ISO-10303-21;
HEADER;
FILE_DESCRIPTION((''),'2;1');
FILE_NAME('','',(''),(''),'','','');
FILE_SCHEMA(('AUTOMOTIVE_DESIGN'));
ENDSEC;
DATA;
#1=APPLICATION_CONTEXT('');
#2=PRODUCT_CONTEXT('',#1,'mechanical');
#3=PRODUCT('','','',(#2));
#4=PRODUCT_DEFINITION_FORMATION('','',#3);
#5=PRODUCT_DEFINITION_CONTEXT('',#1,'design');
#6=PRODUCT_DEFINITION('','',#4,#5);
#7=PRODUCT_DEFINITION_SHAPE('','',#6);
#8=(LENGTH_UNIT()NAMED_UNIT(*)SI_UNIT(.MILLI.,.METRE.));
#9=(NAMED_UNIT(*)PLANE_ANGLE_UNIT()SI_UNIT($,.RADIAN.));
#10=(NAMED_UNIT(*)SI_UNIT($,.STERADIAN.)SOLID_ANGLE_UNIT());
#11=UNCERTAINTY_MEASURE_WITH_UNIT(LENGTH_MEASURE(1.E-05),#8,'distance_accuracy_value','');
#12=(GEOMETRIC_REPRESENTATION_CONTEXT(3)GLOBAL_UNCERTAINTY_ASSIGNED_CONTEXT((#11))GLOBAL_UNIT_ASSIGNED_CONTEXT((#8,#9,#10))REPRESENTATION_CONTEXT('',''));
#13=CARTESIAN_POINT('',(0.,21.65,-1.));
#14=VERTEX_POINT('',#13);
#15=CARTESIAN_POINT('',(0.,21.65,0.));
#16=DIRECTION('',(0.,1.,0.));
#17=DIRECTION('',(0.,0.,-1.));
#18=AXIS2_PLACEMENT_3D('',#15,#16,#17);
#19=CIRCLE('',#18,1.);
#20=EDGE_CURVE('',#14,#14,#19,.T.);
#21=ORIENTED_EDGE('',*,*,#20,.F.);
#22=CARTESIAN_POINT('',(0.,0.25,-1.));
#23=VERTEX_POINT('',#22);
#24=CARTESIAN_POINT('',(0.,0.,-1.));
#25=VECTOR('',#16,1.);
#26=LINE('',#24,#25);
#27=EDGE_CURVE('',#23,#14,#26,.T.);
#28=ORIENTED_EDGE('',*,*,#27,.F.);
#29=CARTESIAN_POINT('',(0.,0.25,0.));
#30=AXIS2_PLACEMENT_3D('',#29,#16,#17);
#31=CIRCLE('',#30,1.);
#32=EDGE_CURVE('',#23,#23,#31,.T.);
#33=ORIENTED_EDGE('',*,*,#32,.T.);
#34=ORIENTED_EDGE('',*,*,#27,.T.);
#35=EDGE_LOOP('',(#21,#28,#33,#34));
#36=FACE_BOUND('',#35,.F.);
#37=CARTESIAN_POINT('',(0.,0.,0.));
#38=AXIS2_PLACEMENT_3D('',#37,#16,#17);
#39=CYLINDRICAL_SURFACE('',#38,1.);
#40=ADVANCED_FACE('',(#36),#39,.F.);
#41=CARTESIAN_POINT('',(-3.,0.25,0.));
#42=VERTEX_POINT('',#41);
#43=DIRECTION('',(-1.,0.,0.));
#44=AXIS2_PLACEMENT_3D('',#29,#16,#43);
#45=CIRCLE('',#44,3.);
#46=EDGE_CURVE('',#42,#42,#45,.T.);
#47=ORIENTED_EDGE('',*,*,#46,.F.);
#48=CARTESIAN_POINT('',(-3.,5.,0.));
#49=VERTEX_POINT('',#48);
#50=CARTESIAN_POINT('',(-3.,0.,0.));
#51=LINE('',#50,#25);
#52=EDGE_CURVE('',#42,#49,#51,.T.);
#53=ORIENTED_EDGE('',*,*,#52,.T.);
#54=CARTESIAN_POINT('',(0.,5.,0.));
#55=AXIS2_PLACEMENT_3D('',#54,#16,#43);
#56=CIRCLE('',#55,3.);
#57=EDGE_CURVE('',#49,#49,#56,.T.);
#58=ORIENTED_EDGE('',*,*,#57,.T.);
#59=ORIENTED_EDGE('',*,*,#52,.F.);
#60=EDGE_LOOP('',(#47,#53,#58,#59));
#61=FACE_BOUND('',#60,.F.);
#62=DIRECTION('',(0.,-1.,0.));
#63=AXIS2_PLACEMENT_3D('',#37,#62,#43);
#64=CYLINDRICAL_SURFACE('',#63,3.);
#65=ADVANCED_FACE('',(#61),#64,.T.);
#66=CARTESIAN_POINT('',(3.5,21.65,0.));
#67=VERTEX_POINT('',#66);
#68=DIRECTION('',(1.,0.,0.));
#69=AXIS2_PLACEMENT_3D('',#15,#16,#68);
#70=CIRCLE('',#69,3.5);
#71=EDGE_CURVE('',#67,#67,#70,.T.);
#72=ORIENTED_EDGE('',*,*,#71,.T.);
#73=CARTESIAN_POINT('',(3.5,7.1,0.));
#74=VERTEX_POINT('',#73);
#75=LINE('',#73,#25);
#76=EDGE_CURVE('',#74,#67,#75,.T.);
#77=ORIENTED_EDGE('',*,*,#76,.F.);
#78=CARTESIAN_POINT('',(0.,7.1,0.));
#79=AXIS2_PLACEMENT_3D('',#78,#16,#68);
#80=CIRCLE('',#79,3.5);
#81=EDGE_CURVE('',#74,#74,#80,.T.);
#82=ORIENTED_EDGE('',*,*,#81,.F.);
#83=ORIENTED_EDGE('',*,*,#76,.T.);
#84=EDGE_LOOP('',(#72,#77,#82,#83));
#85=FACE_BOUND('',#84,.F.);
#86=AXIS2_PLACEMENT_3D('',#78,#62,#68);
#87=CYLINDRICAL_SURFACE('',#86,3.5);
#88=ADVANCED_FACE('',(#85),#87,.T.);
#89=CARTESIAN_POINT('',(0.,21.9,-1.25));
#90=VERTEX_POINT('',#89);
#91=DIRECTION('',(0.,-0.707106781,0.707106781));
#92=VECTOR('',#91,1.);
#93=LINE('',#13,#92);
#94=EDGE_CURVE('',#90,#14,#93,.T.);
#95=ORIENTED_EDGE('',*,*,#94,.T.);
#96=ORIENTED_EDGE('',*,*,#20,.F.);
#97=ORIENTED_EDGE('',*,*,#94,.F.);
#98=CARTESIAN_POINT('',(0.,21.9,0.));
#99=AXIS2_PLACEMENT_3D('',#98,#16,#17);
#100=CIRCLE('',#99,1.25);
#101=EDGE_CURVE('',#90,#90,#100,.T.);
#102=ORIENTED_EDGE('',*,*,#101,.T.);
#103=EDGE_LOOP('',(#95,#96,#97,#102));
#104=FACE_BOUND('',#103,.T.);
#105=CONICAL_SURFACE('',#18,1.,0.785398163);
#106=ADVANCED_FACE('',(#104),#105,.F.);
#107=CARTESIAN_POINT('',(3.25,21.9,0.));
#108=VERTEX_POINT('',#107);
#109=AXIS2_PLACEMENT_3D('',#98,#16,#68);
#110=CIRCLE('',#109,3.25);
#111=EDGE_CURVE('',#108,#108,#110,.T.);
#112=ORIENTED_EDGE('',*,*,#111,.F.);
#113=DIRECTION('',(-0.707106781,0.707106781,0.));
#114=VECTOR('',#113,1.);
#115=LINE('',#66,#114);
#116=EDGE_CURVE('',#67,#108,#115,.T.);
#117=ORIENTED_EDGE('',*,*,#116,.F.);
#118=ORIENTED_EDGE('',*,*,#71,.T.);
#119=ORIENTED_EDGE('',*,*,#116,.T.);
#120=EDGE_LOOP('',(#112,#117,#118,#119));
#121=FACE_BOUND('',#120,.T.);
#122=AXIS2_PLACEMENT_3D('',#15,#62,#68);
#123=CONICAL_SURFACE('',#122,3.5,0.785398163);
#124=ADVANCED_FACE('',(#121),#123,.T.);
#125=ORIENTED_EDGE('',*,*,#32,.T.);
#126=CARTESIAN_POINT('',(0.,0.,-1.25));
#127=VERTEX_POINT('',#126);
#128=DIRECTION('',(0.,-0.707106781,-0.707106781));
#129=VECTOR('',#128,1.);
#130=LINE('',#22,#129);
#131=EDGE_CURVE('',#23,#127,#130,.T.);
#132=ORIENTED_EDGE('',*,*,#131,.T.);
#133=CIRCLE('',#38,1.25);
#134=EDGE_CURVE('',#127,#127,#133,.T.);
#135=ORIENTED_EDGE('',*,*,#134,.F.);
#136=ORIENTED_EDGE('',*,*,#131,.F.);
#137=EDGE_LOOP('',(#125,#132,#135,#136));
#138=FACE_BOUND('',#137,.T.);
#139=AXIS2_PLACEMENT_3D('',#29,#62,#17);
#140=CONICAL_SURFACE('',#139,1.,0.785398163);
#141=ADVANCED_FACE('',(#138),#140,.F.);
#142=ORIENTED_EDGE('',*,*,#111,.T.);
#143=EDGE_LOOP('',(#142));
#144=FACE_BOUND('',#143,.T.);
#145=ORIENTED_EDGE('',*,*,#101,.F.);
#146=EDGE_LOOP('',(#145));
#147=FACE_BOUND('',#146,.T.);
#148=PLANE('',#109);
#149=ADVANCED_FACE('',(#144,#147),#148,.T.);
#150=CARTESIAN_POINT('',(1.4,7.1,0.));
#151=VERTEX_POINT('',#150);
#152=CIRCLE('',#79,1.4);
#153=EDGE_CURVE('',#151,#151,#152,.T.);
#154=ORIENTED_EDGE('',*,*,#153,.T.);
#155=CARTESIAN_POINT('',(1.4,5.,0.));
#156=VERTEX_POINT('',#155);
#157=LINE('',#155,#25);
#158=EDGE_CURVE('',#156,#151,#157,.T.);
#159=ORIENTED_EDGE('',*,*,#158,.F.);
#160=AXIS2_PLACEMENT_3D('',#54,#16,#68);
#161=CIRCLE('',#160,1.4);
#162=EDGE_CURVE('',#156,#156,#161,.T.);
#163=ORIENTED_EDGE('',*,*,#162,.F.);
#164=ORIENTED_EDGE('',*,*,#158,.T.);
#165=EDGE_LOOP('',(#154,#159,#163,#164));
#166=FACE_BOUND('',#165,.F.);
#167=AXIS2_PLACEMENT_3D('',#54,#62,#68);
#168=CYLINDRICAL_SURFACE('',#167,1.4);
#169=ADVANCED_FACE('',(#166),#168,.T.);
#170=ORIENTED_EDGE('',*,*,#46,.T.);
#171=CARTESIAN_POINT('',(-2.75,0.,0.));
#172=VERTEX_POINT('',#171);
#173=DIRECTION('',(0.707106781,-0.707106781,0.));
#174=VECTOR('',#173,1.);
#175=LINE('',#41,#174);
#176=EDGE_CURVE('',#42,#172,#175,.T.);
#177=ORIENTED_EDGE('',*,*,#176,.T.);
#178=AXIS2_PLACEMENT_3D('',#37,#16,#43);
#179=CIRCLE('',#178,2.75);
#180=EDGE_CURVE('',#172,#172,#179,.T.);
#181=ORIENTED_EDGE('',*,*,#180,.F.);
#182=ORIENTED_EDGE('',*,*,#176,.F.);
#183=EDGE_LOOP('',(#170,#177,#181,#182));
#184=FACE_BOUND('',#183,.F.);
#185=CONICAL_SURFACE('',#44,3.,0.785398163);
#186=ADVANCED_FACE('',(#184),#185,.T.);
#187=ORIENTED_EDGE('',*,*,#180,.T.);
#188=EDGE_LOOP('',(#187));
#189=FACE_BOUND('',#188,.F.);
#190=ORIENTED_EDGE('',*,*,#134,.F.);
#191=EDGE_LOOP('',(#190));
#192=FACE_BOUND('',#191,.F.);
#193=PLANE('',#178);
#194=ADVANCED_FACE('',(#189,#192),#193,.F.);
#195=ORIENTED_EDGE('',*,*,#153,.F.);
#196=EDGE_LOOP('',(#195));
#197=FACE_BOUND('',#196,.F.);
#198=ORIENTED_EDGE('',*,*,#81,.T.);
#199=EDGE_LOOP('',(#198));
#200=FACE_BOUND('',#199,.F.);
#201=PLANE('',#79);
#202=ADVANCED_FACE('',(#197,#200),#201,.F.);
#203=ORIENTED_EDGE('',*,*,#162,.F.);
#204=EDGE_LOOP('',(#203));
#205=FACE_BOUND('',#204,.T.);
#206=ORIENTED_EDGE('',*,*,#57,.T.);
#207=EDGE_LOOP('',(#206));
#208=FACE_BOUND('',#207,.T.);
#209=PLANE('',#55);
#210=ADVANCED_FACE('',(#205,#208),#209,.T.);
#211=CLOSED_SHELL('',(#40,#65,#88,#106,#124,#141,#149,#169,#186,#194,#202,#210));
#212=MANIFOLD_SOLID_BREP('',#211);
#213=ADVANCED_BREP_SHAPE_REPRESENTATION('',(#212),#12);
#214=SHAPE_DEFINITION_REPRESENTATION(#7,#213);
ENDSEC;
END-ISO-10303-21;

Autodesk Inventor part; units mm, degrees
ref_plane "YZ Plane" through (0, 0, 0) normal (1, 0, 0) x (0, 1, 0)
ref_plane "XZ Plane" through (0, 0, 0) normal (0, 1, 0) x (-1, 0, 0)
ref_plane "XY Plane" through (0, 0, 0) normal (0, 0, 1) x (1, 0, 0)
sketch "草圖1" plane through (0, 0, 0) normal (0, 1, 0) x (-1, 0, 0)
  circle A0 centre (0, 0) radius 3
  dimension "d0" = 6
extrude "擠出1" add sketch "草圖1" along normal blind 5
sketch "草圖2" plane through (0, 5, 0) normal (0, 1, 0) x (1, 0, 0)
  circle A0 centre (0, 0) radius 3 projected
  circle A1 centre (0, 0) radius 1.4
  dimension "d4" = 2.8
extrude "擠出2" add sketch "草圖2" along normal blind 2.1 contours A1
sketch "草圖3" plane through (0, 7.1, 0) normal (0, 1, 0) x (1, 0, 0)
  circle A0 centre (0, 0) radius 1.4 projected
  circle A1 centre (0, 0) radius 3.5
  dimension "d8" = 7
extrude "擠出3" add sketch "草圖3" along normal blind 14.8 contours A0 | A1
sketch "草圖5" plane through (0, 0, 0) normal (0, -1, 0) x (1, 0, 0)
  circle A0 centre (0, 0) radius 3 projected
hole "孔1" at (0, 0, 0) direction (0, 1, 0) diameter 2 end through all
chamfer "倒角2" distance 0.25 angle 45 4 edges at (3, 0, 0) (0, 0, 1) (-3.5, 21.9, 0) (0, 21.9, 1)
thread "螺紋1" size "M6x1" class "6g" standard "ANSI Metric M Profile" full length
thread "螺紋2" size "M7x1" class "6g" standard "ANSI Metric M Profile" full length
properties part number "e3d_v6_heat_break"
